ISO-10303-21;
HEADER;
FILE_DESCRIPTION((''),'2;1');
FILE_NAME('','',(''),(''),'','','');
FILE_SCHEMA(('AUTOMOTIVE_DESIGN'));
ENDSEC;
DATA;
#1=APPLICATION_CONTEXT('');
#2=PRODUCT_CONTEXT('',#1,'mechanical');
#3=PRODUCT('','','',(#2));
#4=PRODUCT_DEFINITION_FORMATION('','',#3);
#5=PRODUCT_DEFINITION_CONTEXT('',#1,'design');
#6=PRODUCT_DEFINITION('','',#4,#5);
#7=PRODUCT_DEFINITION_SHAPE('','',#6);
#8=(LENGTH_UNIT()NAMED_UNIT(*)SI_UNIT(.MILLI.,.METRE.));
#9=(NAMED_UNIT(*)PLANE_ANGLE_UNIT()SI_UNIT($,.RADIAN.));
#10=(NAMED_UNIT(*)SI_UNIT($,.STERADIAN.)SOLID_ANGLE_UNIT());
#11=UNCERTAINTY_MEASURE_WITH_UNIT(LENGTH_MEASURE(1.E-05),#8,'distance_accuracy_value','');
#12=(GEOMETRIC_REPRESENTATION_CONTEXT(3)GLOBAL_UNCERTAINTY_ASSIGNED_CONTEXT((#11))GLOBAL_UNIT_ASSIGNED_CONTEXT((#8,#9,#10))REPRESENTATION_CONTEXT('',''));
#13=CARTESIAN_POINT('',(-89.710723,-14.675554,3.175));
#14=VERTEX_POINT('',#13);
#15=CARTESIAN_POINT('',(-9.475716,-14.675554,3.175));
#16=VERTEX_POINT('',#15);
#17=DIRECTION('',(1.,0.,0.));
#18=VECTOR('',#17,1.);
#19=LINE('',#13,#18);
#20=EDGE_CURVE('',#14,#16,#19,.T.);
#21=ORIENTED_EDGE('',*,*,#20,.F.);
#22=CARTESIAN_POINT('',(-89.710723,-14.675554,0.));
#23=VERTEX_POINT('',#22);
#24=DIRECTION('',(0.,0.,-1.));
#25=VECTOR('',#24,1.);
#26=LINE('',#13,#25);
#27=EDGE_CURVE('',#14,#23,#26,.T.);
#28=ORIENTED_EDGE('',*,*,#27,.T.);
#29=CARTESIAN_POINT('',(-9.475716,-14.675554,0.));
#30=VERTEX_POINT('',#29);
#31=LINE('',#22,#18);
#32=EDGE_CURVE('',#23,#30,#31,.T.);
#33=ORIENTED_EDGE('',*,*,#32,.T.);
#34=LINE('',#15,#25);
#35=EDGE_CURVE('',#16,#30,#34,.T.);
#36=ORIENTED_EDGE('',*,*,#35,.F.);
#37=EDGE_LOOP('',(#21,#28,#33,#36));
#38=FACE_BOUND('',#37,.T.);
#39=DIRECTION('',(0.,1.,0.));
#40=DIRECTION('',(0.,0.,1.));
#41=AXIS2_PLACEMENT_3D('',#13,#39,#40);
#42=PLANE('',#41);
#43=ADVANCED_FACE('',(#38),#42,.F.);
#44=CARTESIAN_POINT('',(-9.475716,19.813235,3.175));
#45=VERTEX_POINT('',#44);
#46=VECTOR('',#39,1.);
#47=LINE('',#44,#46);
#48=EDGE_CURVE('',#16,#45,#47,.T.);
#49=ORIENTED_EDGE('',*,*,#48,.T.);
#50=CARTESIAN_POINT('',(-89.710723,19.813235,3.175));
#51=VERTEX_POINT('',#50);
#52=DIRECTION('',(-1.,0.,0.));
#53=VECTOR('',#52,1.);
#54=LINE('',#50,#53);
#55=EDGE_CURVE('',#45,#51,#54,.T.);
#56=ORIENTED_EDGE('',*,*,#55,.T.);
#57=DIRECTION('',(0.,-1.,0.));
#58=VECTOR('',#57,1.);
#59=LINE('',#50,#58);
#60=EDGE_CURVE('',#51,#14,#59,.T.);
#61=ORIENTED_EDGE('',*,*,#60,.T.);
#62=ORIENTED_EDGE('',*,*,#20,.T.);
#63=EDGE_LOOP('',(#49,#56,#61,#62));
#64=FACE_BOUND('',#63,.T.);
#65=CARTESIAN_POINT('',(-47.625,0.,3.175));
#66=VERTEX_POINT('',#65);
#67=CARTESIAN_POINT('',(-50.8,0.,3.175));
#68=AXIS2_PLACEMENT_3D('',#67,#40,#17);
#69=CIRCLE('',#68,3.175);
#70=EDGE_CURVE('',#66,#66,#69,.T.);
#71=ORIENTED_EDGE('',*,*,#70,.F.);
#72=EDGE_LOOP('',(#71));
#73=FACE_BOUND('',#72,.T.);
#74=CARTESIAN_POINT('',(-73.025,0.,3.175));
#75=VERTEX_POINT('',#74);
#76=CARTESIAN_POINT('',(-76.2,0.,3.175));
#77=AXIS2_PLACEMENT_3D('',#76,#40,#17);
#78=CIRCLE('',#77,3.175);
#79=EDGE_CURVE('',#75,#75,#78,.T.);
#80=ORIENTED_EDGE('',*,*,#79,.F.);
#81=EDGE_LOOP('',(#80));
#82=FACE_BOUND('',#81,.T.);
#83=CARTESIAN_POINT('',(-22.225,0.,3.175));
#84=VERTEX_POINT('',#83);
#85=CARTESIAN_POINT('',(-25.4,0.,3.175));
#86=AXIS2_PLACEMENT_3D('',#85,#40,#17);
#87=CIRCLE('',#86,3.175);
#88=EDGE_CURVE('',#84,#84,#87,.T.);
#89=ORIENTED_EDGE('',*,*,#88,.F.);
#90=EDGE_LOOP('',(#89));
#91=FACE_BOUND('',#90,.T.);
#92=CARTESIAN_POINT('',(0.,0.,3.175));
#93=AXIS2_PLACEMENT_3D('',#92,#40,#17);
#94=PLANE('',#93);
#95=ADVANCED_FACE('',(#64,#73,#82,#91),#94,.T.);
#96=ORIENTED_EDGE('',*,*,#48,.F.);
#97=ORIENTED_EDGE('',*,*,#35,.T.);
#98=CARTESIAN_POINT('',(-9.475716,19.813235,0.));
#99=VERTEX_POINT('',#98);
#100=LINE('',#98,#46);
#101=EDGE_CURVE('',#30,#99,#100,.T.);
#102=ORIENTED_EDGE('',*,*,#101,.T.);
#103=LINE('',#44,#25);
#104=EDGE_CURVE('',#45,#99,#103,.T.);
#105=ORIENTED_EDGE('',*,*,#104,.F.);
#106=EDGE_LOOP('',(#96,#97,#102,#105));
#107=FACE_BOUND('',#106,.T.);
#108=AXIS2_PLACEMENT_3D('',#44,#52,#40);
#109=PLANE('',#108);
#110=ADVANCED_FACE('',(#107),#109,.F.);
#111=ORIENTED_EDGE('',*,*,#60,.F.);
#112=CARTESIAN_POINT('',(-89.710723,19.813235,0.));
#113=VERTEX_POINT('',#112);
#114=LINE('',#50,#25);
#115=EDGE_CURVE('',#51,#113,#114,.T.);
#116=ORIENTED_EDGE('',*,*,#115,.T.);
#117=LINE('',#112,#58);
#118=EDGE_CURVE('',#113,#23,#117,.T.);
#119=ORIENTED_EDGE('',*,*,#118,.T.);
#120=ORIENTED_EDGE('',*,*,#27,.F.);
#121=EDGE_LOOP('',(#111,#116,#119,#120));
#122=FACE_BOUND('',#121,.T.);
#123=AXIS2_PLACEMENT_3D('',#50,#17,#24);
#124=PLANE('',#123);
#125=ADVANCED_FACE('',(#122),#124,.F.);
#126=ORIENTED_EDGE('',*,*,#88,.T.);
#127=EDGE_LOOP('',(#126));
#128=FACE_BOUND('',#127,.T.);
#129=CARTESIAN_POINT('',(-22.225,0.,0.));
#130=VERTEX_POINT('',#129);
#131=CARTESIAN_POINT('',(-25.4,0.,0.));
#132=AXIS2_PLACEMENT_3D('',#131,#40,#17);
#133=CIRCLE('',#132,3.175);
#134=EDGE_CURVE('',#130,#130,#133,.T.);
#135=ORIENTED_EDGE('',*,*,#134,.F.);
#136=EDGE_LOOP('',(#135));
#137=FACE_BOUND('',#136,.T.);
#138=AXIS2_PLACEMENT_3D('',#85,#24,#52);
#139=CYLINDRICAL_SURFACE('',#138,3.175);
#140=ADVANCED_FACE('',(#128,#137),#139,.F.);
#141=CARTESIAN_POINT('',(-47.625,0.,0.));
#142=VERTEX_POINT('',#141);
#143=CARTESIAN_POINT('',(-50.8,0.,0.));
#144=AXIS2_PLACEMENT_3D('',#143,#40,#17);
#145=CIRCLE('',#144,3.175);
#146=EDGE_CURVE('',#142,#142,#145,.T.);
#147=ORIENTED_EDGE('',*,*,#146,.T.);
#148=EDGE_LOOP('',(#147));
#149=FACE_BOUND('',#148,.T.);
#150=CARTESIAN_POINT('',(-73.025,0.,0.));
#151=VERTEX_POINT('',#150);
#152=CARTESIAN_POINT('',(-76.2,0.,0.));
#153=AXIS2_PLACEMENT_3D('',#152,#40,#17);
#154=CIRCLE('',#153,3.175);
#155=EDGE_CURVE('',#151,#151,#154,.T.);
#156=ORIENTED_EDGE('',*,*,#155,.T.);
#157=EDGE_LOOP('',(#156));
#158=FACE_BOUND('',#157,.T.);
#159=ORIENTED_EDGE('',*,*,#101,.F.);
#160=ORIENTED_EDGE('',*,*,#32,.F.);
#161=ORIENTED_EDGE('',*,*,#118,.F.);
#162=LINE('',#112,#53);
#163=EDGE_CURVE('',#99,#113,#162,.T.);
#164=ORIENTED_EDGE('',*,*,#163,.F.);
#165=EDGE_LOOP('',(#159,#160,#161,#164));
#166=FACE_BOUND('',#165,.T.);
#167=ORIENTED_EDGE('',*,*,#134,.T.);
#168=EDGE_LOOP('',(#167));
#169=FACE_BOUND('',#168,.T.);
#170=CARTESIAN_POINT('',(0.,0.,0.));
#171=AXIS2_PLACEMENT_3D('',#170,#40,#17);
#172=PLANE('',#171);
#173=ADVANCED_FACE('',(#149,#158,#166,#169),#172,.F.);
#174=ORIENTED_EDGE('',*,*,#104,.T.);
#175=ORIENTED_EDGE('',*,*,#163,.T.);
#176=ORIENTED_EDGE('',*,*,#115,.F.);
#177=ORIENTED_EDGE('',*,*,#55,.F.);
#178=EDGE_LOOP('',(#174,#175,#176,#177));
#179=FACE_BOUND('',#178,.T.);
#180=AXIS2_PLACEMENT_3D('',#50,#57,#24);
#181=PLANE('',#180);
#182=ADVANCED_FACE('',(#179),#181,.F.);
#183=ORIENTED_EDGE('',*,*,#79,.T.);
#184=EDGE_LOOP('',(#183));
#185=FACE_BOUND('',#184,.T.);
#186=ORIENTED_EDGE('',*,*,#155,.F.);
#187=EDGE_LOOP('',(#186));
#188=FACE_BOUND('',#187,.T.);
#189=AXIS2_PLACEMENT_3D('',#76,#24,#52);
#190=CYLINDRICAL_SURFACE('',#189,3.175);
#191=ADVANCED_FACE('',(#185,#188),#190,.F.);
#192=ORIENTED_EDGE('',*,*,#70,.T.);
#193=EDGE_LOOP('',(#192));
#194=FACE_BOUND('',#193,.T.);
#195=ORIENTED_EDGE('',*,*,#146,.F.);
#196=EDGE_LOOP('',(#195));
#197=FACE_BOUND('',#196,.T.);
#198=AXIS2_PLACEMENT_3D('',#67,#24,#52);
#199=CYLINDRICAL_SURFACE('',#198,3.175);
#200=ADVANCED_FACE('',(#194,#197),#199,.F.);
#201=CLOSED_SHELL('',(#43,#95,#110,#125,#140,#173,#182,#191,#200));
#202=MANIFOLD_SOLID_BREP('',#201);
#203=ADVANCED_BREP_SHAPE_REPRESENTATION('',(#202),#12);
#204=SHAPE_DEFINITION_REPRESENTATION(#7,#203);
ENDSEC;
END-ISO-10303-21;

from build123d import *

# Parameters (mm, degrees)
SKETCH1_W           = 80.235006911
SKETCH1_H           = 34.488789304
SKETCH1_R           = 3.175
BOSS_EXTRUDE1_DEPTH = 3.175


with BuildPart() as part:
    # Sketch1 → Boss-Extrude1 (new body)
    with BuildSketch(Plane.XY):
        with Locations((-49.593219406, 2.56884022)):
            Rectangle(SKETCH1_W, SKETCH1_H)
        with Locations((-76.2, 0)):
            Circle(SKETCH1_R, mode=Mode.SUBTRACT)
        with Locations((-25.4, 0)):
            Circle(SKETCH1_R, mode=Mode.SUBTRACT)
        with Locations((-50.8, 0)):
            Circle(SKETCH1_R, mode=Mode.SUBTRACT)
    extrude(amount=BOSS_EXTRUDE1_DEPTH)


solid = part.part
